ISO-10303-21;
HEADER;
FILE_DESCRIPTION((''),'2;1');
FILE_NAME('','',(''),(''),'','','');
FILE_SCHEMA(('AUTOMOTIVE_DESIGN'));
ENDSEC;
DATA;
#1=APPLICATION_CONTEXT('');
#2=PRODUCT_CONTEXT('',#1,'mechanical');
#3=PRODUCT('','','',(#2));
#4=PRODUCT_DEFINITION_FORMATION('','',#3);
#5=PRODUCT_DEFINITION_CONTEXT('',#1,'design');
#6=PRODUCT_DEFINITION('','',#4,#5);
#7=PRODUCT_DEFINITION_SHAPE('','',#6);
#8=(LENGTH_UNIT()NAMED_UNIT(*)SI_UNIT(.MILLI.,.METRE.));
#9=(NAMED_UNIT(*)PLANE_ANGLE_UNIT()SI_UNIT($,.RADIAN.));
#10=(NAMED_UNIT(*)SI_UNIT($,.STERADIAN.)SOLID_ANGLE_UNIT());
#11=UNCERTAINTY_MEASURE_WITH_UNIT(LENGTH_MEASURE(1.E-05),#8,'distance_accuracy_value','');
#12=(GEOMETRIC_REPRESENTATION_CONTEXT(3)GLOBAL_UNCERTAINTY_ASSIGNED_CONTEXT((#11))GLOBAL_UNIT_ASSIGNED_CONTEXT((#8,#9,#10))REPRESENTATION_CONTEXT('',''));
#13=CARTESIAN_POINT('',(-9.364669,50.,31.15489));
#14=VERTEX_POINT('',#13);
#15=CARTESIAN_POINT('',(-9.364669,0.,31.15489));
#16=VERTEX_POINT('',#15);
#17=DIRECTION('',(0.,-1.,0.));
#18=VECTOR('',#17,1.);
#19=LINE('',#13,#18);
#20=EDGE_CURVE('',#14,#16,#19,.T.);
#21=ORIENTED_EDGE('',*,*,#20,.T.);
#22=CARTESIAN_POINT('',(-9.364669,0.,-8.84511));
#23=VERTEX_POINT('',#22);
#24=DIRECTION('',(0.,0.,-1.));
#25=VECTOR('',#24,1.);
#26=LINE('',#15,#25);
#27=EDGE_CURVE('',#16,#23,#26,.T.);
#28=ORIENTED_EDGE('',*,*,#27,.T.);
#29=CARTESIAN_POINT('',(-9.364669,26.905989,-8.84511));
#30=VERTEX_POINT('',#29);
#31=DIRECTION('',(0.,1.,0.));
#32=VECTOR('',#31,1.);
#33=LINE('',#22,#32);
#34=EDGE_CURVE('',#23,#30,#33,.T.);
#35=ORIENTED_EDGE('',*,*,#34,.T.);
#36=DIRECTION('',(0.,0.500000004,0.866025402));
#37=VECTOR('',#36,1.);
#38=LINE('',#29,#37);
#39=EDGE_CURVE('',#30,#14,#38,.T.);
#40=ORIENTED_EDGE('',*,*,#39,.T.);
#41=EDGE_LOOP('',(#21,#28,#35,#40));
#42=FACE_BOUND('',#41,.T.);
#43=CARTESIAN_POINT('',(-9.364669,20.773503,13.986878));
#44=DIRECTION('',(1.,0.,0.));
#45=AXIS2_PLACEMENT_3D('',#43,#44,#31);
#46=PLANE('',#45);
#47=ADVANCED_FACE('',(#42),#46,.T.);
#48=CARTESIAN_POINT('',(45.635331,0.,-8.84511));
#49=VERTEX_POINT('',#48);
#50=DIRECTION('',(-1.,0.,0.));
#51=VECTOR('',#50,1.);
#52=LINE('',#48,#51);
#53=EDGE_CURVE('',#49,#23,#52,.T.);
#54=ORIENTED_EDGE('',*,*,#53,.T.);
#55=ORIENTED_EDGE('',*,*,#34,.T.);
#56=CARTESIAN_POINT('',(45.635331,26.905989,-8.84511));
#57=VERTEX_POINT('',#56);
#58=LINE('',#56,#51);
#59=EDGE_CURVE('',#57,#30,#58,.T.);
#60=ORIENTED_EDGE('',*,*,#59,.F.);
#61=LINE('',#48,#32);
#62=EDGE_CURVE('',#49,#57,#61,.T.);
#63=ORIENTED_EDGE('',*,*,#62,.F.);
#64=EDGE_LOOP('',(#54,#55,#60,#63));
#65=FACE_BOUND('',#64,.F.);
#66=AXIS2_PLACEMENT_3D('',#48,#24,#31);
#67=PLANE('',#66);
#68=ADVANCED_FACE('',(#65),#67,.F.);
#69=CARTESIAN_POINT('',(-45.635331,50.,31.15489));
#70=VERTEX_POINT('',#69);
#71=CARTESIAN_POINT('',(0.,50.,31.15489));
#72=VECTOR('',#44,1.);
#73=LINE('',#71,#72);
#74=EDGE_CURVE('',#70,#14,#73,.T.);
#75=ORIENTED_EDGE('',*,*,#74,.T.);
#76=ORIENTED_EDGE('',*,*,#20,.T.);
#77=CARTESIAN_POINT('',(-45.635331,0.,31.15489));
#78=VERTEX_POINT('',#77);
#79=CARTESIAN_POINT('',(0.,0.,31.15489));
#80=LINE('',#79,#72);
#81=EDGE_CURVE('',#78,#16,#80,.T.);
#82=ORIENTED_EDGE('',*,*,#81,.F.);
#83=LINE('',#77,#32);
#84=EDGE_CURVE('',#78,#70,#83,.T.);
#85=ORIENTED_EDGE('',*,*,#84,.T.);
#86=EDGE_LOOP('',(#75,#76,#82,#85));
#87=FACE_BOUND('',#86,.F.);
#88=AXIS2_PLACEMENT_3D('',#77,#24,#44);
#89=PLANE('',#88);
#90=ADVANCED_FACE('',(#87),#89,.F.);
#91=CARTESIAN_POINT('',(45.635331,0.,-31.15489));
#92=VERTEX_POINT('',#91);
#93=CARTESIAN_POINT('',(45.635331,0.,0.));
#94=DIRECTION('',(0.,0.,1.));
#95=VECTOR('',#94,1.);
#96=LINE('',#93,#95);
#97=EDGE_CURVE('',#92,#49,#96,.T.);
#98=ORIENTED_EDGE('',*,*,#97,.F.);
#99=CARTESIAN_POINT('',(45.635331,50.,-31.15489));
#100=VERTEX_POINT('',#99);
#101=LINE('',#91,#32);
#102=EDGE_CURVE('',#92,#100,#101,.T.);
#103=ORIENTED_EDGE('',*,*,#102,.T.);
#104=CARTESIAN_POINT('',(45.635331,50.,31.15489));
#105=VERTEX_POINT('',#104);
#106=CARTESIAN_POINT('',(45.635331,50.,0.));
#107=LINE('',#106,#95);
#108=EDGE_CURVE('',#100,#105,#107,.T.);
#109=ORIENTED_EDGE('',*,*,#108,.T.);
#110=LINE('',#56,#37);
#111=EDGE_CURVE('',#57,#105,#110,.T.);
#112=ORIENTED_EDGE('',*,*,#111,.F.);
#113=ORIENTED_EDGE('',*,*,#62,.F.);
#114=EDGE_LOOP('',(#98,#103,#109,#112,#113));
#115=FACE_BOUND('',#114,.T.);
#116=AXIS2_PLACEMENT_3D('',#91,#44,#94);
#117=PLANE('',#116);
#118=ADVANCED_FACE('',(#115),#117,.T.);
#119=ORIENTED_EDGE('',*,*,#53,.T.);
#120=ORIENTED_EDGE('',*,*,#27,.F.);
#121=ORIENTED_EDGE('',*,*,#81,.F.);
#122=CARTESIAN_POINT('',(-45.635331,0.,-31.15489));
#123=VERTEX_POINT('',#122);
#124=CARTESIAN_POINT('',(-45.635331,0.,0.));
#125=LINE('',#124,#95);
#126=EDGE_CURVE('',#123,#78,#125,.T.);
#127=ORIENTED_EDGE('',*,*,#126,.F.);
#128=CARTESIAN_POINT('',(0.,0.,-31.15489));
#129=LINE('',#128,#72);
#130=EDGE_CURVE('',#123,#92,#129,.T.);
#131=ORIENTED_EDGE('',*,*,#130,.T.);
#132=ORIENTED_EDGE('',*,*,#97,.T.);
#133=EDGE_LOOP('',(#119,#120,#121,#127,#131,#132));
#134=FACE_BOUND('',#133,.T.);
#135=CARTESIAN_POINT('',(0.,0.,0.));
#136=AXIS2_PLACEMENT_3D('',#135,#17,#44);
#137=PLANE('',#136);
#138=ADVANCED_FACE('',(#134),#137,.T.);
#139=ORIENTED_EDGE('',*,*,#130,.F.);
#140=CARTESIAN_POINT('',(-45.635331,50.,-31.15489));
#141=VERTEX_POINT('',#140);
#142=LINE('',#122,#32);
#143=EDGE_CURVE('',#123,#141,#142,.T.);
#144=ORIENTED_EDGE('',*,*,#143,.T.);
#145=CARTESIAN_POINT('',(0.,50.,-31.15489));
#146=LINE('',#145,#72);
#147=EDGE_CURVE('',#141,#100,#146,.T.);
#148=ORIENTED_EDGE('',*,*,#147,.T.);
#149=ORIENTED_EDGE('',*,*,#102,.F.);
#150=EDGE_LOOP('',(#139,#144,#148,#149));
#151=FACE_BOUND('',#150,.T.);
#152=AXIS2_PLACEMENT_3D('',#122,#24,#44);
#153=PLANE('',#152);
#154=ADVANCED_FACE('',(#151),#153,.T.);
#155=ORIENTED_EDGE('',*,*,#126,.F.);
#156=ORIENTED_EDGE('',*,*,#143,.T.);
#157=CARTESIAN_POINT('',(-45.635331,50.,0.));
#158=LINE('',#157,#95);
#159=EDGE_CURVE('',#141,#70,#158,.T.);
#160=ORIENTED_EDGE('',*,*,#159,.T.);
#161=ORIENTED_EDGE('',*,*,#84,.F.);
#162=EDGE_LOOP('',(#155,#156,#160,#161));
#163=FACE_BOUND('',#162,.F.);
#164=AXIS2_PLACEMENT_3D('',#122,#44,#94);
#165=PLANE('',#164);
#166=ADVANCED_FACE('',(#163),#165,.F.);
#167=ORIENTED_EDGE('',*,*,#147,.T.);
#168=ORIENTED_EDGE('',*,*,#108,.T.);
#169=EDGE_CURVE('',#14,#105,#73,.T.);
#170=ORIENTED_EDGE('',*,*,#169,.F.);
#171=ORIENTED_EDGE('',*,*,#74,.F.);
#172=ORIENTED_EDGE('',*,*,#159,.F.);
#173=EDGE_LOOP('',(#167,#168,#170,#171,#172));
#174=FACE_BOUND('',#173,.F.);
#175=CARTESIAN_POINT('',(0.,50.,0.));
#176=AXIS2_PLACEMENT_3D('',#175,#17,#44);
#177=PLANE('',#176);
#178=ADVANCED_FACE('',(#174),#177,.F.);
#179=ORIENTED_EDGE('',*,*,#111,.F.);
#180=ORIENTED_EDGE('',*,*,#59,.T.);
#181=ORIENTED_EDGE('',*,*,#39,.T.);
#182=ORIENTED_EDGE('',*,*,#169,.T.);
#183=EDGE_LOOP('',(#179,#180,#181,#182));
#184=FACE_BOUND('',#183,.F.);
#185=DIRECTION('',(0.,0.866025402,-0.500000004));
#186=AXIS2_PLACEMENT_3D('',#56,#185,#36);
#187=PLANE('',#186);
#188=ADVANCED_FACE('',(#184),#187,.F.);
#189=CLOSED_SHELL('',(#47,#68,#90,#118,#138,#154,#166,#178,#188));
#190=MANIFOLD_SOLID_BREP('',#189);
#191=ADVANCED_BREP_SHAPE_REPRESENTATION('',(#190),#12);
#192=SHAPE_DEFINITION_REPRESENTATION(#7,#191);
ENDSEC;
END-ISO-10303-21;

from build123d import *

# Parameters (mm, degrees)
F0_W     = 91.270662
F0_H     = 62.30978
F1_DEPTH = 50
F3_DEPTH = 55


with BuildPart() as f1:
    # F0 (on Front) → F1 (new body)
    with BuildSketch(Plane.XZ):
        Rectangle(F0_W, F0_H)
    extrude(amount=-F1_DEPTH)

    # F2 (on face) → F3 (cut)
    with BuildSketch(Plane.YZ.offset(45.635331)):
        Polygon((0, 31.15489), (0, -8.84511), (26.905989, -8.84511), (50, 31.15489), align=None)
    extrude(amount=-F3_DEPTH, mode=Mode.SUBTRACT)


solid = f1.part
